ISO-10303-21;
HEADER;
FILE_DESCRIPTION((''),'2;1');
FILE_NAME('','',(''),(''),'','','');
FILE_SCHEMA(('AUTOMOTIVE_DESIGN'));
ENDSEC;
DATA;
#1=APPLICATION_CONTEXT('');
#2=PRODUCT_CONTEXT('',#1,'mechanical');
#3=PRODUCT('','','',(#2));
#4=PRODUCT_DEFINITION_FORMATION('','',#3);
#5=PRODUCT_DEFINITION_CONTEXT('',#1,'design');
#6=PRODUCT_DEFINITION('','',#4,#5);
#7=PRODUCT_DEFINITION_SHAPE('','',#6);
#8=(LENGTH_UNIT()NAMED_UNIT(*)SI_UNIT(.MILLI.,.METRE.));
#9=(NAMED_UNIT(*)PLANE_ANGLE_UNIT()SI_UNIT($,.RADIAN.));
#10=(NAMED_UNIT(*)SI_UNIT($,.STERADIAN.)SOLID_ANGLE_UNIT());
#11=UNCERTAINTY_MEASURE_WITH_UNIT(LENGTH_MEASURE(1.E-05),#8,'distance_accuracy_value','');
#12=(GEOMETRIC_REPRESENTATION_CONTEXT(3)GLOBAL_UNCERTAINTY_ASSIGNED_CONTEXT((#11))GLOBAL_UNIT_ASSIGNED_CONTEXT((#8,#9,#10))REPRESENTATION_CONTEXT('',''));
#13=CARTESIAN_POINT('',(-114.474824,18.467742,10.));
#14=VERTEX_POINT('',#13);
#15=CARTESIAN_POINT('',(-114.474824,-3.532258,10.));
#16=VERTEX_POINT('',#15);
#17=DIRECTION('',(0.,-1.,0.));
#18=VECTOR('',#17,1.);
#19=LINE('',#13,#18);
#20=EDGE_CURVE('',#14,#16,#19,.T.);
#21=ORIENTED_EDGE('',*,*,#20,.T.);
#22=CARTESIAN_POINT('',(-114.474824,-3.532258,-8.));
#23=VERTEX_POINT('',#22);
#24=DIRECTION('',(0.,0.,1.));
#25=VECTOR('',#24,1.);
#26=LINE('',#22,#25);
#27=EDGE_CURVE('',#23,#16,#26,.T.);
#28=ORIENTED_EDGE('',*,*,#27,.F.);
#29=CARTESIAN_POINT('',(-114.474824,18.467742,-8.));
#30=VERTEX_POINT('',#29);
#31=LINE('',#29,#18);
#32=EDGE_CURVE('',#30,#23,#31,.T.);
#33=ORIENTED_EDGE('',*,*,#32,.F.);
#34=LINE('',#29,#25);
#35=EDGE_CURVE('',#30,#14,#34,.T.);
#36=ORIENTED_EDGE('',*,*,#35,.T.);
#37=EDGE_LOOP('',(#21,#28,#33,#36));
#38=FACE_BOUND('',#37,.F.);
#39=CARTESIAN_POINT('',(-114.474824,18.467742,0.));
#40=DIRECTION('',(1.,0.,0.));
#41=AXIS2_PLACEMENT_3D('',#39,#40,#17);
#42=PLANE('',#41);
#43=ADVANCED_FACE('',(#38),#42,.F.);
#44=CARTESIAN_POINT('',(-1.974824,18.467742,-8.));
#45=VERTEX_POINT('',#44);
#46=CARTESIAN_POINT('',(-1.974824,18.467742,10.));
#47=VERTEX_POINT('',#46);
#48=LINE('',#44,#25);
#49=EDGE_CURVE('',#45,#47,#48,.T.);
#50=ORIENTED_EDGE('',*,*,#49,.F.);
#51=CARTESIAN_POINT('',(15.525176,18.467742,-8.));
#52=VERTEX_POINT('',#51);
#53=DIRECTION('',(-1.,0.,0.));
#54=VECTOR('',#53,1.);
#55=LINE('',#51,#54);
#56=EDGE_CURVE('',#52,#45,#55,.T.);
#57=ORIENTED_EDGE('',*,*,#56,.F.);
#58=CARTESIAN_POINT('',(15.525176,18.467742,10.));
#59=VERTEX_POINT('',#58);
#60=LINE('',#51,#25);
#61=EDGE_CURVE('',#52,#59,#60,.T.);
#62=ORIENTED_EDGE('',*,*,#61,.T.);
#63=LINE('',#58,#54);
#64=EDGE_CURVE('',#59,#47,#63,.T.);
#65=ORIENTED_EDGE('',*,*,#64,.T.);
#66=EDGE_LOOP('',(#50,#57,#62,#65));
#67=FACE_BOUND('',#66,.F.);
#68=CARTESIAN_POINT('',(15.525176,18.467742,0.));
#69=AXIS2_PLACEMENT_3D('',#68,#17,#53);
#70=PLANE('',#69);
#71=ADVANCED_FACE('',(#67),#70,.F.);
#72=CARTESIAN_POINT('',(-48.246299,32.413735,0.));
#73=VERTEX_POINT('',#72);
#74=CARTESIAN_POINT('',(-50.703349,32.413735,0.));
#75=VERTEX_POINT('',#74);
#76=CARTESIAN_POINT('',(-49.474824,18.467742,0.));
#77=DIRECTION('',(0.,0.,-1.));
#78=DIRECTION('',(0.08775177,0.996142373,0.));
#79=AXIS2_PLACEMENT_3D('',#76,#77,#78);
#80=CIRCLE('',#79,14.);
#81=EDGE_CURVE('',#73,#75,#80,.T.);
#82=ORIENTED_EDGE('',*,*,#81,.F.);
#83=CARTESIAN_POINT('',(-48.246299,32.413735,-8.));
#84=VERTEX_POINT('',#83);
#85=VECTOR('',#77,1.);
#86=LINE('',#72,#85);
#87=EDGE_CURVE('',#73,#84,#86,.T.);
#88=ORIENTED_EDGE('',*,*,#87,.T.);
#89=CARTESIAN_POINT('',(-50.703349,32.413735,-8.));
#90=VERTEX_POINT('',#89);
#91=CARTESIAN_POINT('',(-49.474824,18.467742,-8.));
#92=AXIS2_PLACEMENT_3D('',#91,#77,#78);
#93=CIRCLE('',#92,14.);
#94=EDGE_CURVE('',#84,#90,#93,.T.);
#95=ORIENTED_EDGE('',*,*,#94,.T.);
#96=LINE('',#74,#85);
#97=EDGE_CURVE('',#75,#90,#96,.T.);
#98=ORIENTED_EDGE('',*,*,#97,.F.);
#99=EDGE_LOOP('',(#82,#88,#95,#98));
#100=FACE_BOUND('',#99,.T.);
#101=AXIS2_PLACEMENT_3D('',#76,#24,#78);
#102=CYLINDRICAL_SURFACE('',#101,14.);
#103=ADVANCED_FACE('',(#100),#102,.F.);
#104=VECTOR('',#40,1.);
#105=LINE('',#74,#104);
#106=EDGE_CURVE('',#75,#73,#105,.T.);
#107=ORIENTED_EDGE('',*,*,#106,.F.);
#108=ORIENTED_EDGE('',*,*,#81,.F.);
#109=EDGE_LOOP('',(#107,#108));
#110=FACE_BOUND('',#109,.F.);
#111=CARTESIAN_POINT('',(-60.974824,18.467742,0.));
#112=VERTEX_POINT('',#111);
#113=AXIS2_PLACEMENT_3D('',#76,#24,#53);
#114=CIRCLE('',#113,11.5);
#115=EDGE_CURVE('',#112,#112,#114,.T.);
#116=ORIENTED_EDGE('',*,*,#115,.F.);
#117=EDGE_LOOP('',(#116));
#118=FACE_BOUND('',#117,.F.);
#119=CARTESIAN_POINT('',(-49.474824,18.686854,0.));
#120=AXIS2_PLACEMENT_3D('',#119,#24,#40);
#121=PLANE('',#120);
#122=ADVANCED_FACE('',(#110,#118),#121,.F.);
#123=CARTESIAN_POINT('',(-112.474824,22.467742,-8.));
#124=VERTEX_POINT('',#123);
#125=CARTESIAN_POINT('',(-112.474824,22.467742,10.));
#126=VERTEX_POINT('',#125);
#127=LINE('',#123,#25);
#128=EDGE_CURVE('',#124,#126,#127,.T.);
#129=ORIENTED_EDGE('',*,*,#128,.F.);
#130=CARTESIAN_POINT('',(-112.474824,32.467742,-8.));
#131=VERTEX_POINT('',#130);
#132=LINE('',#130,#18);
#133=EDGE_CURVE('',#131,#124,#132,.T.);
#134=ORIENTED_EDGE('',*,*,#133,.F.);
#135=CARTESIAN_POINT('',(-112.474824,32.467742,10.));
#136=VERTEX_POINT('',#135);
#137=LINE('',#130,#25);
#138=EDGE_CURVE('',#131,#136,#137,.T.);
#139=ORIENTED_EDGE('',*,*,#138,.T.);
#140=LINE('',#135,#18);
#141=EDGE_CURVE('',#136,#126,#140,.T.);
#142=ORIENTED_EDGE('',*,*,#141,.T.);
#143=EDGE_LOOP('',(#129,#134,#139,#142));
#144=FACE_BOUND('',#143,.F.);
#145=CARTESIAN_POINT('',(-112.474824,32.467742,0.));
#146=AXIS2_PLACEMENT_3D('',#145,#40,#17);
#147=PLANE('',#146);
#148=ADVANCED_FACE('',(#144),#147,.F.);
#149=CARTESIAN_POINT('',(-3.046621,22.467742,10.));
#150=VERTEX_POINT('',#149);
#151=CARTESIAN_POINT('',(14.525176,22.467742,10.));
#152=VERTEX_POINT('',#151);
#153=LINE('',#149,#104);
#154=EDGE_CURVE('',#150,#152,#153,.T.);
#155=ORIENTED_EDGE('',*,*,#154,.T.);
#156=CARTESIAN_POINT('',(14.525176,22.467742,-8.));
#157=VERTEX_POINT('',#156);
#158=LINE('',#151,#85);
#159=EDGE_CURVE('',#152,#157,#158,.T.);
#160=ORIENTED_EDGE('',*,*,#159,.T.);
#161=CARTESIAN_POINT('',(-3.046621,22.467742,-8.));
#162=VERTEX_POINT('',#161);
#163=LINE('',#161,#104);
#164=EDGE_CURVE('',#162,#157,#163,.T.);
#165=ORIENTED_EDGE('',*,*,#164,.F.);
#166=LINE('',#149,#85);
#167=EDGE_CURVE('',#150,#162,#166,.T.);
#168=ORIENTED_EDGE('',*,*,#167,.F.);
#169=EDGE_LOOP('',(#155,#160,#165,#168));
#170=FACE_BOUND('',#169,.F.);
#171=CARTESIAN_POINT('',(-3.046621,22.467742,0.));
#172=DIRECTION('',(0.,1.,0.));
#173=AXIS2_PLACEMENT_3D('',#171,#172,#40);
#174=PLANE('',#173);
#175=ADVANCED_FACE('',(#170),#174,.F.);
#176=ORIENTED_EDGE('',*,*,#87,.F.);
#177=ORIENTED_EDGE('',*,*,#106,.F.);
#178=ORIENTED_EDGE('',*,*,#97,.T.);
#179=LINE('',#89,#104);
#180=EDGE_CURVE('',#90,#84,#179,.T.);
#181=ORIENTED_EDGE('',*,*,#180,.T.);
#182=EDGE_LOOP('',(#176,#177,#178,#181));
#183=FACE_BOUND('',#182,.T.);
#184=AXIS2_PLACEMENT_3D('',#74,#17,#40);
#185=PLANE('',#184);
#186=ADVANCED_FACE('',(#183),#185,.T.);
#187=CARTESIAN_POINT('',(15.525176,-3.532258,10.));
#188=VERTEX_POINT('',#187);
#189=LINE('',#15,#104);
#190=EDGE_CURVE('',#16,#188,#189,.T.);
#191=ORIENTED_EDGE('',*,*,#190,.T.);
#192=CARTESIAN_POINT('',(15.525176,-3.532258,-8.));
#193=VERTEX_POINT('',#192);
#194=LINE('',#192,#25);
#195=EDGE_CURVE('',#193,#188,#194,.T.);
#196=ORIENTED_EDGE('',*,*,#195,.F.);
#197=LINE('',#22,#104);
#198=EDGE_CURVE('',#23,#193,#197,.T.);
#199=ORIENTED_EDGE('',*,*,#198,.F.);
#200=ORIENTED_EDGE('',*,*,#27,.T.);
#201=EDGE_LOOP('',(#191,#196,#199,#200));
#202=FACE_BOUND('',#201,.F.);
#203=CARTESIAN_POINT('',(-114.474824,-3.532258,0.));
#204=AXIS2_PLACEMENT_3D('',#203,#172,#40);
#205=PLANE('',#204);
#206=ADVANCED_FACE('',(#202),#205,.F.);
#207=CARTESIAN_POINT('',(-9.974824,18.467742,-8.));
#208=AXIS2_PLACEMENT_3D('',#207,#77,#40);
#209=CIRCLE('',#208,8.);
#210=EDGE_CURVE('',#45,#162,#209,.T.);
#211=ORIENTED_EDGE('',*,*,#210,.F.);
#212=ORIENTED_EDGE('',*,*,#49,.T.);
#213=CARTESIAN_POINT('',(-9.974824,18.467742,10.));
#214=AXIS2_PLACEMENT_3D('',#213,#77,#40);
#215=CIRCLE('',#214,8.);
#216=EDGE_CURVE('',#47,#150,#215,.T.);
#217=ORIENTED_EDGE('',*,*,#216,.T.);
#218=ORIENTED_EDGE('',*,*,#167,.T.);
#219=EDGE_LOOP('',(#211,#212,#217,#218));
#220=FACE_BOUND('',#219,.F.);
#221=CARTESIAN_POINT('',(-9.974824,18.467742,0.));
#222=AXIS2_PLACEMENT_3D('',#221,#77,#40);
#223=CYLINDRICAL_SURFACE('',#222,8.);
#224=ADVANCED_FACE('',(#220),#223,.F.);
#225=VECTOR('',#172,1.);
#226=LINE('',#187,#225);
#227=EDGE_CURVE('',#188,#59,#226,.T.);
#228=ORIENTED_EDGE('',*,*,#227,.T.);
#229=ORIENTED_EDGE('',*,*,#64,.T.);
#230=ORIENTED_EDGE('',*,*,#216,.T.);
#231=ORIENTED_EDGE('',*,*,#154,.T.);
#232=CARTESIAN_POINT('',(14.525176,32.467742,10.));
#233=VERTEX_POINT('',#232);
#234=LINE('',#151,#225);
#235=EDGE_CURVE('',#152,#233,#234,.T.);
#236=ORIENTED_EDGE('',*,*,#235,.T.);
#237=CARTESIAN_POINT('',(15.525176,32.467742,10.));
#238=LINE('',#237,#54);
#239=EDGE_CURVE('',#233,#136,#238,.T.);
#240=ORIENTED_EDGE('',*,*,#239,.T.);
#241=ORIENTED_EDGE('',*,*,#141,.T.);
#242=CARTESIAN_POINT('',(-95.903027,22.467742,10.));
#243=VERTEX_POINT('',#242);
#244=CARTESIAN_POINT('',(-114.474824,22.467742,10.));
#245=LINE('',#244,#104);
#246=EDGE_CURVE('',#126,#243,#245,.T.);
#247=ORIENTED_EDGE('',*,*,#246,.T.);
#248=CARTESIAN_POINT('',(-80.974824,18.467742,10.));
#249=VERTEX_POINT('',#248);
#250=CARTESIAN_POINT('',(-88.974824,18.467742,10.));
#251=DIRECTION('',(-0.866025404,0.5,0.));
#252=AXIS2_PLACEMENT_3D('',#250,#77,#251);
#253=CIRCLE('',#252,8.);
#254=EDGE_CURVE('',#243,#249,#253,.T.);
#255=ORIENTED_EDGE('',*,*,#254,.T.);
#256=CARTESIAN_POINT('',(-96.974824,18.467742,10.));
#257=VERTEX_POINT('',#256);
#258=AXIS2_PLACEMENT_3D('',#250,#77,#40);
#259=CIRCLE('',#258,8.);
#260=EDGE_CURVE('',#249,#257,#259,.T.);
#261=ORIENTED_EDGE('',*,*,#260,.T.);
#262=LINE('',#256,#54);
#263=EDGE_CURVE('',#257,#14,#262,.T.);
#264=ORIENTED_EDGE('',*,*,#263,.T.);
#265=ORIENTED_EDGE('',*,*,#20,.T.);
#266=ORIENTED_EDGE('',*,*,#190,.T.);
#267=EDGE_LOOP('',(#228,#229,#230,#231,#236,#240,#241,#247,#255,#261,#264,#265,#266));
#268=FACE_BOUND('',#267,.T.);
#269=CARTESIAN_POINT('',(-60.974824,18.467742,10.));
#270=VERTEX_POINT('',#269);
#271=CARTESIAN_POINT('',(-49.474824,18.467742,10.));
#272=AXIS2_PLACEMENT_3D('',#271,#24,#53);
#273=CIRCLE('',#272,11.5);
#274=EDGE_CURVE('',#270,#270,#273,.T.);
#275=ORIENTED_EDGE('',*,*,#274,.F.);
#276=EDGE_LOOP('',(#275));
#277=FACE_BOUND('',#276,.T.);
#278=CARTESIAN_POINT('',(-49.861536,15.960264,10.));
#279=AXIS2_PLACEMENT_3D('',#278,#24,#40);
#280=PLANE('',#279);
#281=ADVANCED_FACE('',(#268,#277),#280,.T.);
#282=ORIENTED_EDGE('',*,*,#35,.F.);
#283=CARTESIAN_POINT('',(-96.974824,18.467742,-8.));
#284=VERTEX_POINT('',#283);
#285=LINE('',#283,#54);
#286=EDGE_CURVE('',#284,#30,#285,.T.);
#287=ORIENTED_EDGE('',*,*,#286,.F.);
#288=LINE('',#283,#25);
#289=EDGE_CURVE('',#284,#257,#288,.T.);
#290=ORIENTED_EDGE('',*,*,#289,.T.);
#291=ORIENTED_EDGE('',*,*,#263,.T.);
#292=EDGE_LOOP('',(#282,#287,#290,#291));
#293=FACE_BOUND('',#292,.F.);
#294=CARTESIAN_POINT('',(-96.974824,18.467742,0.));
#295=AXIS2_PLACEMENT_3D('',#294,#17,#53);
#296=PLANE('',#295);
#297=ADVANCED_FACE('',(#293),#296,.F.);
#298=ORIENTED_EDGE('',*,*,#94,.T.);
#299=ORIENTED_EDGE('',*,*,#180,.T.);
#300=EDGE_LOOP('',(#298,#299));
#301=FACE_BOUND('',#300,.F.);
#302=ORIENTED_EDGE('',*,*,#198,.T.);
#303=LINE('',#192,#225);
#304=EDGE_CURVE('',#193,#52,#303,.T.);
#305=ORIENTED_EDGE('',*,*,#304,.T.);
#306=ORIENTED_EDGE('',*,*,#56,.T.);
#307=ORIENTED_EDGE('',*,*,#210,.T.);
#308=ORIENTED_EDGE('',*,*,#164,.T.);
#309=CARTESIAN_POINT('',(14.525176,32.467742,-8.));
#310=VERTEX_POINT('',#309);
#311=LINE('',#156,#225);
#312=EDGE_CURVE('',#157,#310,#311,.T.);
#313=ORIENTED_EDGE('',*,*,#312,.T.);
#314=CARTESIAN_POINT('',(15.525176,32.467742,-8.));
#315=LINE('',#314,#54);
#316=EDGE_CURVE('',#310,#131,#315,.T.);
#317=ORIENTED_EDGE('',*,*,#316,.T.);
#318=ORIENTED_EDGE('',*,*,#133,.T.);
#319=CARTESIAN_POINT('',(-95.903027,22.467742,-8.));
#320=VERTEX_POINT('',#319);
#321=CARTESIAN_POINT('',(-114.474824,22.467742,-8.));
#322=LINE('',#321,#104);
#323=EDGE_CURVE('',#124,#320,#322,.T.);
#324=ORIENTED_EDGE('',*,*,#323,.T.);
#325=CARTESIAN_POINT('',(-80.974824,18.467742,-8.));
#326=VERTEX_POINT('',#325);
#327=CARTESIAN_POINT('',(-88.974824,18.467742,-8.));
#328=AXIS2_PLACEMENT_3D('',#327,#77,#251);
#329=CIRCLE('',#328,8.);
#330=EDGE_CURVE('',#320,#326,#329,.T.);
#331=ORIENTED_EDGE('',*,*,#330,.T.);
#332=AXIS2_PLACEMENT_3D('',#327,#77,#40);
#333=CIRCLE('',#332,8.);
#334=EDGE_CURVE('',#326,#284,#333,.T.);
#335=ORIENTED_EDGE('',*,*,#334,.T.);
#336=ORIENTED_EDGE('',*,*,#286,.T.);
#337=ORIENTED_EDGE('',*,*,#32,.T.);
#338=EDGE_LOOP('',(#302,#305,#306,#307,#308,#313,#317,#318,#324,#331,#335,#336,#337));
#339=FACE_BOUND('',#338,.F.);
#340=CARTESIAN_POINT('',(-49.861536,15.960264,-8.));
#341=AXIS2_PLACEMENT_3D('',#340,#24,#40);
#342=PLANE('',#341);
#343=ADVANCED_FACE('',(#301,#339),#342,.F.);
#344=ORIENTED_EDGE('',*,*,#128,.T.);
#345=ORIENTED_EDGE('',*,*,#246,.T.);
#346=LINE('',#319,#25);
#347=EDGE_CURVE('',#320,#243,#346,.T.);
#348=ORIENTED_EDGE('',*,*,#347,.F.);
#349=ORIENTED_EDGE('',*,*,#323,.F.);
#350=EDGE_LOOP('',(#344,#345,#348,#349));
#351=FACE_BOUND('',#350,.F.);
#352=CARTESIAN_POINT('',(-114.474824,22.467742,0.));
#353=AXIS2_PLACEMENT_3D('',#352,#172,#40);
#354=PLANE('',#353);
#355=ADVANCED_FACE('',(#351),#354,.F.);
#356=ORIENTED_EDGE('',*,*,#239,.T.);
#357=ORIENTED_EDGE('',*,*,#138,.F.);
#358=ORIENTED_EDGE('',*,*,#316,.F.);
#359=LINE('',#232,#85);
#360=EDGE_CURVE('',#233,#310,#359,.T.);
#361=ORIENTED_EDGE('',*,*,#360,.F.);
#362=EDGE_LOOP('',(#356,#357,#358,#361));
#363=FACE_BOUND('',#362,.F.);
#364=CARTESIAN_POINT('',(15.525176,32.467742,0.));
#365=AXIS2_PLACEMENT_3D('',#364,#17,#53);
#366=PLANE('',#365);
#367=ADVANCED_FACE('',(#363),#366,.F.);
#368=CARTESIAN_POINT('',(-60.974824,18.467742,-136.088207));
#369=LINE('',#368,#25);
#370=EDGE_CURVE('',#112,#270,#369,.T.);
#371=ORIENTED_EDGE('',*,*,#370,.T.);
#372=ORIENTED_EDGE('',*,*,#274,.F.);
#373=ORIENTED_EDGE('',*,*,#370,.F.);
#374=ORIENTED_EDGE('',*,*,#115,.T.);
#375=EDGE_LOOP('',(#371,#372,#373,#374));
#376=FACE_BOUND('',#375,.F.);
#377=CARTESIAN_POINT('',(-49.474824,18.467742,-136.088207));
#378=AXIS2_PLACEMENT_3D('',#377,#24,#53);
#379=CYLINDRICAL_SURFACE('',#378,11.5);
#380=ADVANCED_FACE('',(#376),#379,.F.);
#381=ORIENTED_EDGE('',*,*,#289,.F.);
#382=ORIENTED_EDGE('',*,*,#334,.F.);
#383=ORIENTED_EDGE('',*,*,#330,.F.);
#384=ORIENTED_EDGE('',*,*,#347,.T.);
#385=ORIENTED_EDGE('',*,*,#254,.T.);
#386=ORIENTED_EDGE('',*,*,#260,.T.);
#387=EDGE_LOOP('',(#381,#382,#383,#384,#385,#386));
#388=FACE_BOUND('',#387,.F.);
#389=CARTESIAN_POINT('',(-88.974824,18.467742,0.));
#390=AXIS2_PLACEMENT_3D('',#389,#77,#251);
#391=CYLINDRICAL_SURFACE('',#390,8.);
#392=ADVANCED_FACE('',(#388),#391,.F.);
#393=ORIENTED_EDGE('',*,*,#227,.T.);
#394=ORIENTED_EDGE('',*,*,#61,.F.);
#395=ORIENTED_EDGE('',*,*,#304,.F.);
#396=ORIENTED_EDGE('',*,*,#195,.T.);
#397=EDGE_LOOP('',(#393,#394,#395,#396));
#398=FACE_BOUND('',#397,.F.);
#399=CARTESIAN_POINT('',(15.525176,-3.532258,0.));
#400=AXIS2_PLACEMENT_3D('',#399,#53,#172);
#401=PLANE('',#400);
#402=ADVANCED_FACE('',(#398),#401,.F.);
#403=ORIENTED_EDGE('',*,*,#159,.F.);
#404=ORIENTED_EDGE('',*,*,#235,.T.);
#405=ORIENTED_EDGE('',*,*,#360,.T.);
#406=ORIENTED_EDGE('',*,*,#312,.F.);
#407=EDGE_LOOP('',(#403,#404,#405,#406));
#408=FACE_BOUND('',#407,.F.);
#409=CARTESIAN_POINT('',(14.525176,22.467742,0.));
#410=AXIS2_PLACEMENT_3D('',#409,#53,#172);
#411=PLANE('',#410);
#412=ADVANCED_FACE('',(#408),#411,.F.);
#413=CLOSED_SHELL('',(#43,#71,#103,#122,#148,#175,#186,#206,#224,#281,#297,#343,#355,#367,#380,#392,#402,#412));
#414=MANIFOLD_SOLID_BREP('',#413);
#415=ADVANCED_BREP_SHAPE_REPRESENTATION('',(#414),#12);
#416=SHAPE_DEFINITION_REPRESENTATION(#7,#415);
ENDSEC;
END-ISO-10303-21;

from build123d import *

# Parameters (mm, degrees)
F1_DEPTH = 8
F2_DEPTH = 10
F3_DEPTH = 10
F4_D     = 23
F5_DEPTH = 1
F6_DEPTH = 2


with BuildPart() as f1:
    # F0 (on Top) → F1 (new body)
    with BuildSketch(Plane.XY):
        with BuildLine():
            Line((-49.4748241749, 32.4677416086), (-114.4748240411, 32.4677416086))
            Line((-114.4748240411, 32.4677416086), (-114.4748240411, 22.4677416086))
            Line((-114.4748240411, 22.4677416086), (-95.9030272714, 22.4677416086))
            ThreePointArc((-95.9030272714, 22.4677416086), (-86.9042716803, 26.1951482189), (-80.9748240411, 18.4677416086))
            ThreePointArc((-80.9748240411, 18.4677416086), (-88.9748240411, 10.4677416086), (-96.9748240411, 18.4677416086))
            Line((-96.9748240411, 18.4677416086), (-114.4748240411, 18.4677416086))
            Line((-114.4748240411, 18.4677416086), (-114.4748240411, -3.5322583914))
            Line((-114.4748240411, -3.5322583914), (15.5251759589, -3.5322583914))
            Line((15.5251759589, -3.5322583914), (15.5251759589, 18.4677416086))
            Line((15.5251759589, 18.4677416086), (-1.9748240411, 18.4677416086))
            ThreePointArc((-1.9748240411, 18.4677416086), (-17.7022306514, 16.3971892478), (-3.0466208109, 22.4677416086))
            Line((-3.0466208109, 22.4677416086), (15.5251759589, 22.4677416086))
            Line((15.5251759589, 22.4677416086), (15.5251759589, 32.4677416086))
            Line((15.5251759589, 32.4677416086), (-49.4748241749, 32.4677416086))
        make_face()
        with BuildLine():
            ThreePointArc((-50.7033488202, 32.4137348277), (-50.0896797547, 32.4542333936), (-49.4748241749, 32.4677416086))
            ThreePointArc((-49.4748241749, 32.4677416086), (-48.8599684612, 32.4542333995), (-48.246299262, 32.4137348277))
            ThreePointArc((-48.246299262, 32.4137348277), (-39.1501122556, 27.9229161996), (-35.4748240411, 18.4677416086))
            ThreePointArc((-35.4748240411, 18.4677416086), (-58.9299986321, 8.1430298231), (-50.7033488202, 32.4137348277))
        make_face(mode=Mode.SUBTRACT)
        with BuildLine():
            ThreePointArc((-48.246299262, 32.4137348277), (-48.8599684612, 32.4542333995), (-49.4748241749, 32.4677416086))
            ThreePointArc((-49.4748241749, 32.4677416086), (-50.0896797547, 32.4542333936), (-50.7033488202, 32.4137348277))
            Line((-50.7033488202, 32.4137348277), (-48.246299262, 32.4137348277))
        make_face()
    extrude(amount=-F1_DEPTH)

    # F3 (add): a face of the model
    f3_faces = [f1.faces().sort_by_distance(p)[0] for p in [
        (6.7751759589, 17.1188161103, 0),
    ]]


with BuildPart() as f2:
    # F0 (on Top) → F2 (new body)
    with BuildSketch(Plane.XY):
        with BuildLine():
            ThreePointArc((-35.4748240411, 18.4677416086), (-39.1501122556, 27.9229161996), (-48.246299262, 32.4137348277))
            Line((-48.246299262, 32.4137348277), (-50.7033488202, 32.4137348277))
            ThreePointArc((-50.7033488202, 32.4137348277), (-58.9299986321, 8.1430298231), (-35.4748240411, 18.4677416086))
        make_face()
    extrude(amount=F2_DEPTH)


with BuildPart() as f1_1:
    add(f1.part)

    add(f2.part)  # F3 merges F2
    extrude(f3_faces, amount=F3_DEPTH)

    # F4 (through all)
    with Locations(Plane(origin=(0, 0, 0), x_dir=(1, 0, 0), z_dir=(0, 0, -1))):
        with Locations((-49.4748240411, -18.4677416086)):
            Hole(F4_D / 2)

    # F5 (cut, symmetric): faces of the model
    f5_faces = [f1_1.faces().sort_by_distance(p)[0] for p in [
        (15.5251759589, 27.4677416086, 1),
        (15.5251759589, 27.4677416086, 1),
    ]]
    extrude(f5_faces, amount=F5_DEPTH, both=True, mode=Mode.SUBTRACT)

    # F6 (cut): faces of the model
    f6_faces = [f1_1.faces().sort_by_distance(p)[0] for p in [
        (-114.4748240411, 27.4677416086, 1),
        (-114.4748240411, 27.4677416086, 1),
    ]]
    extrude(f6_faces, amount=-F6_DEPTH, mode=Mode.SUBTRACT)


solid = f1_1.part
